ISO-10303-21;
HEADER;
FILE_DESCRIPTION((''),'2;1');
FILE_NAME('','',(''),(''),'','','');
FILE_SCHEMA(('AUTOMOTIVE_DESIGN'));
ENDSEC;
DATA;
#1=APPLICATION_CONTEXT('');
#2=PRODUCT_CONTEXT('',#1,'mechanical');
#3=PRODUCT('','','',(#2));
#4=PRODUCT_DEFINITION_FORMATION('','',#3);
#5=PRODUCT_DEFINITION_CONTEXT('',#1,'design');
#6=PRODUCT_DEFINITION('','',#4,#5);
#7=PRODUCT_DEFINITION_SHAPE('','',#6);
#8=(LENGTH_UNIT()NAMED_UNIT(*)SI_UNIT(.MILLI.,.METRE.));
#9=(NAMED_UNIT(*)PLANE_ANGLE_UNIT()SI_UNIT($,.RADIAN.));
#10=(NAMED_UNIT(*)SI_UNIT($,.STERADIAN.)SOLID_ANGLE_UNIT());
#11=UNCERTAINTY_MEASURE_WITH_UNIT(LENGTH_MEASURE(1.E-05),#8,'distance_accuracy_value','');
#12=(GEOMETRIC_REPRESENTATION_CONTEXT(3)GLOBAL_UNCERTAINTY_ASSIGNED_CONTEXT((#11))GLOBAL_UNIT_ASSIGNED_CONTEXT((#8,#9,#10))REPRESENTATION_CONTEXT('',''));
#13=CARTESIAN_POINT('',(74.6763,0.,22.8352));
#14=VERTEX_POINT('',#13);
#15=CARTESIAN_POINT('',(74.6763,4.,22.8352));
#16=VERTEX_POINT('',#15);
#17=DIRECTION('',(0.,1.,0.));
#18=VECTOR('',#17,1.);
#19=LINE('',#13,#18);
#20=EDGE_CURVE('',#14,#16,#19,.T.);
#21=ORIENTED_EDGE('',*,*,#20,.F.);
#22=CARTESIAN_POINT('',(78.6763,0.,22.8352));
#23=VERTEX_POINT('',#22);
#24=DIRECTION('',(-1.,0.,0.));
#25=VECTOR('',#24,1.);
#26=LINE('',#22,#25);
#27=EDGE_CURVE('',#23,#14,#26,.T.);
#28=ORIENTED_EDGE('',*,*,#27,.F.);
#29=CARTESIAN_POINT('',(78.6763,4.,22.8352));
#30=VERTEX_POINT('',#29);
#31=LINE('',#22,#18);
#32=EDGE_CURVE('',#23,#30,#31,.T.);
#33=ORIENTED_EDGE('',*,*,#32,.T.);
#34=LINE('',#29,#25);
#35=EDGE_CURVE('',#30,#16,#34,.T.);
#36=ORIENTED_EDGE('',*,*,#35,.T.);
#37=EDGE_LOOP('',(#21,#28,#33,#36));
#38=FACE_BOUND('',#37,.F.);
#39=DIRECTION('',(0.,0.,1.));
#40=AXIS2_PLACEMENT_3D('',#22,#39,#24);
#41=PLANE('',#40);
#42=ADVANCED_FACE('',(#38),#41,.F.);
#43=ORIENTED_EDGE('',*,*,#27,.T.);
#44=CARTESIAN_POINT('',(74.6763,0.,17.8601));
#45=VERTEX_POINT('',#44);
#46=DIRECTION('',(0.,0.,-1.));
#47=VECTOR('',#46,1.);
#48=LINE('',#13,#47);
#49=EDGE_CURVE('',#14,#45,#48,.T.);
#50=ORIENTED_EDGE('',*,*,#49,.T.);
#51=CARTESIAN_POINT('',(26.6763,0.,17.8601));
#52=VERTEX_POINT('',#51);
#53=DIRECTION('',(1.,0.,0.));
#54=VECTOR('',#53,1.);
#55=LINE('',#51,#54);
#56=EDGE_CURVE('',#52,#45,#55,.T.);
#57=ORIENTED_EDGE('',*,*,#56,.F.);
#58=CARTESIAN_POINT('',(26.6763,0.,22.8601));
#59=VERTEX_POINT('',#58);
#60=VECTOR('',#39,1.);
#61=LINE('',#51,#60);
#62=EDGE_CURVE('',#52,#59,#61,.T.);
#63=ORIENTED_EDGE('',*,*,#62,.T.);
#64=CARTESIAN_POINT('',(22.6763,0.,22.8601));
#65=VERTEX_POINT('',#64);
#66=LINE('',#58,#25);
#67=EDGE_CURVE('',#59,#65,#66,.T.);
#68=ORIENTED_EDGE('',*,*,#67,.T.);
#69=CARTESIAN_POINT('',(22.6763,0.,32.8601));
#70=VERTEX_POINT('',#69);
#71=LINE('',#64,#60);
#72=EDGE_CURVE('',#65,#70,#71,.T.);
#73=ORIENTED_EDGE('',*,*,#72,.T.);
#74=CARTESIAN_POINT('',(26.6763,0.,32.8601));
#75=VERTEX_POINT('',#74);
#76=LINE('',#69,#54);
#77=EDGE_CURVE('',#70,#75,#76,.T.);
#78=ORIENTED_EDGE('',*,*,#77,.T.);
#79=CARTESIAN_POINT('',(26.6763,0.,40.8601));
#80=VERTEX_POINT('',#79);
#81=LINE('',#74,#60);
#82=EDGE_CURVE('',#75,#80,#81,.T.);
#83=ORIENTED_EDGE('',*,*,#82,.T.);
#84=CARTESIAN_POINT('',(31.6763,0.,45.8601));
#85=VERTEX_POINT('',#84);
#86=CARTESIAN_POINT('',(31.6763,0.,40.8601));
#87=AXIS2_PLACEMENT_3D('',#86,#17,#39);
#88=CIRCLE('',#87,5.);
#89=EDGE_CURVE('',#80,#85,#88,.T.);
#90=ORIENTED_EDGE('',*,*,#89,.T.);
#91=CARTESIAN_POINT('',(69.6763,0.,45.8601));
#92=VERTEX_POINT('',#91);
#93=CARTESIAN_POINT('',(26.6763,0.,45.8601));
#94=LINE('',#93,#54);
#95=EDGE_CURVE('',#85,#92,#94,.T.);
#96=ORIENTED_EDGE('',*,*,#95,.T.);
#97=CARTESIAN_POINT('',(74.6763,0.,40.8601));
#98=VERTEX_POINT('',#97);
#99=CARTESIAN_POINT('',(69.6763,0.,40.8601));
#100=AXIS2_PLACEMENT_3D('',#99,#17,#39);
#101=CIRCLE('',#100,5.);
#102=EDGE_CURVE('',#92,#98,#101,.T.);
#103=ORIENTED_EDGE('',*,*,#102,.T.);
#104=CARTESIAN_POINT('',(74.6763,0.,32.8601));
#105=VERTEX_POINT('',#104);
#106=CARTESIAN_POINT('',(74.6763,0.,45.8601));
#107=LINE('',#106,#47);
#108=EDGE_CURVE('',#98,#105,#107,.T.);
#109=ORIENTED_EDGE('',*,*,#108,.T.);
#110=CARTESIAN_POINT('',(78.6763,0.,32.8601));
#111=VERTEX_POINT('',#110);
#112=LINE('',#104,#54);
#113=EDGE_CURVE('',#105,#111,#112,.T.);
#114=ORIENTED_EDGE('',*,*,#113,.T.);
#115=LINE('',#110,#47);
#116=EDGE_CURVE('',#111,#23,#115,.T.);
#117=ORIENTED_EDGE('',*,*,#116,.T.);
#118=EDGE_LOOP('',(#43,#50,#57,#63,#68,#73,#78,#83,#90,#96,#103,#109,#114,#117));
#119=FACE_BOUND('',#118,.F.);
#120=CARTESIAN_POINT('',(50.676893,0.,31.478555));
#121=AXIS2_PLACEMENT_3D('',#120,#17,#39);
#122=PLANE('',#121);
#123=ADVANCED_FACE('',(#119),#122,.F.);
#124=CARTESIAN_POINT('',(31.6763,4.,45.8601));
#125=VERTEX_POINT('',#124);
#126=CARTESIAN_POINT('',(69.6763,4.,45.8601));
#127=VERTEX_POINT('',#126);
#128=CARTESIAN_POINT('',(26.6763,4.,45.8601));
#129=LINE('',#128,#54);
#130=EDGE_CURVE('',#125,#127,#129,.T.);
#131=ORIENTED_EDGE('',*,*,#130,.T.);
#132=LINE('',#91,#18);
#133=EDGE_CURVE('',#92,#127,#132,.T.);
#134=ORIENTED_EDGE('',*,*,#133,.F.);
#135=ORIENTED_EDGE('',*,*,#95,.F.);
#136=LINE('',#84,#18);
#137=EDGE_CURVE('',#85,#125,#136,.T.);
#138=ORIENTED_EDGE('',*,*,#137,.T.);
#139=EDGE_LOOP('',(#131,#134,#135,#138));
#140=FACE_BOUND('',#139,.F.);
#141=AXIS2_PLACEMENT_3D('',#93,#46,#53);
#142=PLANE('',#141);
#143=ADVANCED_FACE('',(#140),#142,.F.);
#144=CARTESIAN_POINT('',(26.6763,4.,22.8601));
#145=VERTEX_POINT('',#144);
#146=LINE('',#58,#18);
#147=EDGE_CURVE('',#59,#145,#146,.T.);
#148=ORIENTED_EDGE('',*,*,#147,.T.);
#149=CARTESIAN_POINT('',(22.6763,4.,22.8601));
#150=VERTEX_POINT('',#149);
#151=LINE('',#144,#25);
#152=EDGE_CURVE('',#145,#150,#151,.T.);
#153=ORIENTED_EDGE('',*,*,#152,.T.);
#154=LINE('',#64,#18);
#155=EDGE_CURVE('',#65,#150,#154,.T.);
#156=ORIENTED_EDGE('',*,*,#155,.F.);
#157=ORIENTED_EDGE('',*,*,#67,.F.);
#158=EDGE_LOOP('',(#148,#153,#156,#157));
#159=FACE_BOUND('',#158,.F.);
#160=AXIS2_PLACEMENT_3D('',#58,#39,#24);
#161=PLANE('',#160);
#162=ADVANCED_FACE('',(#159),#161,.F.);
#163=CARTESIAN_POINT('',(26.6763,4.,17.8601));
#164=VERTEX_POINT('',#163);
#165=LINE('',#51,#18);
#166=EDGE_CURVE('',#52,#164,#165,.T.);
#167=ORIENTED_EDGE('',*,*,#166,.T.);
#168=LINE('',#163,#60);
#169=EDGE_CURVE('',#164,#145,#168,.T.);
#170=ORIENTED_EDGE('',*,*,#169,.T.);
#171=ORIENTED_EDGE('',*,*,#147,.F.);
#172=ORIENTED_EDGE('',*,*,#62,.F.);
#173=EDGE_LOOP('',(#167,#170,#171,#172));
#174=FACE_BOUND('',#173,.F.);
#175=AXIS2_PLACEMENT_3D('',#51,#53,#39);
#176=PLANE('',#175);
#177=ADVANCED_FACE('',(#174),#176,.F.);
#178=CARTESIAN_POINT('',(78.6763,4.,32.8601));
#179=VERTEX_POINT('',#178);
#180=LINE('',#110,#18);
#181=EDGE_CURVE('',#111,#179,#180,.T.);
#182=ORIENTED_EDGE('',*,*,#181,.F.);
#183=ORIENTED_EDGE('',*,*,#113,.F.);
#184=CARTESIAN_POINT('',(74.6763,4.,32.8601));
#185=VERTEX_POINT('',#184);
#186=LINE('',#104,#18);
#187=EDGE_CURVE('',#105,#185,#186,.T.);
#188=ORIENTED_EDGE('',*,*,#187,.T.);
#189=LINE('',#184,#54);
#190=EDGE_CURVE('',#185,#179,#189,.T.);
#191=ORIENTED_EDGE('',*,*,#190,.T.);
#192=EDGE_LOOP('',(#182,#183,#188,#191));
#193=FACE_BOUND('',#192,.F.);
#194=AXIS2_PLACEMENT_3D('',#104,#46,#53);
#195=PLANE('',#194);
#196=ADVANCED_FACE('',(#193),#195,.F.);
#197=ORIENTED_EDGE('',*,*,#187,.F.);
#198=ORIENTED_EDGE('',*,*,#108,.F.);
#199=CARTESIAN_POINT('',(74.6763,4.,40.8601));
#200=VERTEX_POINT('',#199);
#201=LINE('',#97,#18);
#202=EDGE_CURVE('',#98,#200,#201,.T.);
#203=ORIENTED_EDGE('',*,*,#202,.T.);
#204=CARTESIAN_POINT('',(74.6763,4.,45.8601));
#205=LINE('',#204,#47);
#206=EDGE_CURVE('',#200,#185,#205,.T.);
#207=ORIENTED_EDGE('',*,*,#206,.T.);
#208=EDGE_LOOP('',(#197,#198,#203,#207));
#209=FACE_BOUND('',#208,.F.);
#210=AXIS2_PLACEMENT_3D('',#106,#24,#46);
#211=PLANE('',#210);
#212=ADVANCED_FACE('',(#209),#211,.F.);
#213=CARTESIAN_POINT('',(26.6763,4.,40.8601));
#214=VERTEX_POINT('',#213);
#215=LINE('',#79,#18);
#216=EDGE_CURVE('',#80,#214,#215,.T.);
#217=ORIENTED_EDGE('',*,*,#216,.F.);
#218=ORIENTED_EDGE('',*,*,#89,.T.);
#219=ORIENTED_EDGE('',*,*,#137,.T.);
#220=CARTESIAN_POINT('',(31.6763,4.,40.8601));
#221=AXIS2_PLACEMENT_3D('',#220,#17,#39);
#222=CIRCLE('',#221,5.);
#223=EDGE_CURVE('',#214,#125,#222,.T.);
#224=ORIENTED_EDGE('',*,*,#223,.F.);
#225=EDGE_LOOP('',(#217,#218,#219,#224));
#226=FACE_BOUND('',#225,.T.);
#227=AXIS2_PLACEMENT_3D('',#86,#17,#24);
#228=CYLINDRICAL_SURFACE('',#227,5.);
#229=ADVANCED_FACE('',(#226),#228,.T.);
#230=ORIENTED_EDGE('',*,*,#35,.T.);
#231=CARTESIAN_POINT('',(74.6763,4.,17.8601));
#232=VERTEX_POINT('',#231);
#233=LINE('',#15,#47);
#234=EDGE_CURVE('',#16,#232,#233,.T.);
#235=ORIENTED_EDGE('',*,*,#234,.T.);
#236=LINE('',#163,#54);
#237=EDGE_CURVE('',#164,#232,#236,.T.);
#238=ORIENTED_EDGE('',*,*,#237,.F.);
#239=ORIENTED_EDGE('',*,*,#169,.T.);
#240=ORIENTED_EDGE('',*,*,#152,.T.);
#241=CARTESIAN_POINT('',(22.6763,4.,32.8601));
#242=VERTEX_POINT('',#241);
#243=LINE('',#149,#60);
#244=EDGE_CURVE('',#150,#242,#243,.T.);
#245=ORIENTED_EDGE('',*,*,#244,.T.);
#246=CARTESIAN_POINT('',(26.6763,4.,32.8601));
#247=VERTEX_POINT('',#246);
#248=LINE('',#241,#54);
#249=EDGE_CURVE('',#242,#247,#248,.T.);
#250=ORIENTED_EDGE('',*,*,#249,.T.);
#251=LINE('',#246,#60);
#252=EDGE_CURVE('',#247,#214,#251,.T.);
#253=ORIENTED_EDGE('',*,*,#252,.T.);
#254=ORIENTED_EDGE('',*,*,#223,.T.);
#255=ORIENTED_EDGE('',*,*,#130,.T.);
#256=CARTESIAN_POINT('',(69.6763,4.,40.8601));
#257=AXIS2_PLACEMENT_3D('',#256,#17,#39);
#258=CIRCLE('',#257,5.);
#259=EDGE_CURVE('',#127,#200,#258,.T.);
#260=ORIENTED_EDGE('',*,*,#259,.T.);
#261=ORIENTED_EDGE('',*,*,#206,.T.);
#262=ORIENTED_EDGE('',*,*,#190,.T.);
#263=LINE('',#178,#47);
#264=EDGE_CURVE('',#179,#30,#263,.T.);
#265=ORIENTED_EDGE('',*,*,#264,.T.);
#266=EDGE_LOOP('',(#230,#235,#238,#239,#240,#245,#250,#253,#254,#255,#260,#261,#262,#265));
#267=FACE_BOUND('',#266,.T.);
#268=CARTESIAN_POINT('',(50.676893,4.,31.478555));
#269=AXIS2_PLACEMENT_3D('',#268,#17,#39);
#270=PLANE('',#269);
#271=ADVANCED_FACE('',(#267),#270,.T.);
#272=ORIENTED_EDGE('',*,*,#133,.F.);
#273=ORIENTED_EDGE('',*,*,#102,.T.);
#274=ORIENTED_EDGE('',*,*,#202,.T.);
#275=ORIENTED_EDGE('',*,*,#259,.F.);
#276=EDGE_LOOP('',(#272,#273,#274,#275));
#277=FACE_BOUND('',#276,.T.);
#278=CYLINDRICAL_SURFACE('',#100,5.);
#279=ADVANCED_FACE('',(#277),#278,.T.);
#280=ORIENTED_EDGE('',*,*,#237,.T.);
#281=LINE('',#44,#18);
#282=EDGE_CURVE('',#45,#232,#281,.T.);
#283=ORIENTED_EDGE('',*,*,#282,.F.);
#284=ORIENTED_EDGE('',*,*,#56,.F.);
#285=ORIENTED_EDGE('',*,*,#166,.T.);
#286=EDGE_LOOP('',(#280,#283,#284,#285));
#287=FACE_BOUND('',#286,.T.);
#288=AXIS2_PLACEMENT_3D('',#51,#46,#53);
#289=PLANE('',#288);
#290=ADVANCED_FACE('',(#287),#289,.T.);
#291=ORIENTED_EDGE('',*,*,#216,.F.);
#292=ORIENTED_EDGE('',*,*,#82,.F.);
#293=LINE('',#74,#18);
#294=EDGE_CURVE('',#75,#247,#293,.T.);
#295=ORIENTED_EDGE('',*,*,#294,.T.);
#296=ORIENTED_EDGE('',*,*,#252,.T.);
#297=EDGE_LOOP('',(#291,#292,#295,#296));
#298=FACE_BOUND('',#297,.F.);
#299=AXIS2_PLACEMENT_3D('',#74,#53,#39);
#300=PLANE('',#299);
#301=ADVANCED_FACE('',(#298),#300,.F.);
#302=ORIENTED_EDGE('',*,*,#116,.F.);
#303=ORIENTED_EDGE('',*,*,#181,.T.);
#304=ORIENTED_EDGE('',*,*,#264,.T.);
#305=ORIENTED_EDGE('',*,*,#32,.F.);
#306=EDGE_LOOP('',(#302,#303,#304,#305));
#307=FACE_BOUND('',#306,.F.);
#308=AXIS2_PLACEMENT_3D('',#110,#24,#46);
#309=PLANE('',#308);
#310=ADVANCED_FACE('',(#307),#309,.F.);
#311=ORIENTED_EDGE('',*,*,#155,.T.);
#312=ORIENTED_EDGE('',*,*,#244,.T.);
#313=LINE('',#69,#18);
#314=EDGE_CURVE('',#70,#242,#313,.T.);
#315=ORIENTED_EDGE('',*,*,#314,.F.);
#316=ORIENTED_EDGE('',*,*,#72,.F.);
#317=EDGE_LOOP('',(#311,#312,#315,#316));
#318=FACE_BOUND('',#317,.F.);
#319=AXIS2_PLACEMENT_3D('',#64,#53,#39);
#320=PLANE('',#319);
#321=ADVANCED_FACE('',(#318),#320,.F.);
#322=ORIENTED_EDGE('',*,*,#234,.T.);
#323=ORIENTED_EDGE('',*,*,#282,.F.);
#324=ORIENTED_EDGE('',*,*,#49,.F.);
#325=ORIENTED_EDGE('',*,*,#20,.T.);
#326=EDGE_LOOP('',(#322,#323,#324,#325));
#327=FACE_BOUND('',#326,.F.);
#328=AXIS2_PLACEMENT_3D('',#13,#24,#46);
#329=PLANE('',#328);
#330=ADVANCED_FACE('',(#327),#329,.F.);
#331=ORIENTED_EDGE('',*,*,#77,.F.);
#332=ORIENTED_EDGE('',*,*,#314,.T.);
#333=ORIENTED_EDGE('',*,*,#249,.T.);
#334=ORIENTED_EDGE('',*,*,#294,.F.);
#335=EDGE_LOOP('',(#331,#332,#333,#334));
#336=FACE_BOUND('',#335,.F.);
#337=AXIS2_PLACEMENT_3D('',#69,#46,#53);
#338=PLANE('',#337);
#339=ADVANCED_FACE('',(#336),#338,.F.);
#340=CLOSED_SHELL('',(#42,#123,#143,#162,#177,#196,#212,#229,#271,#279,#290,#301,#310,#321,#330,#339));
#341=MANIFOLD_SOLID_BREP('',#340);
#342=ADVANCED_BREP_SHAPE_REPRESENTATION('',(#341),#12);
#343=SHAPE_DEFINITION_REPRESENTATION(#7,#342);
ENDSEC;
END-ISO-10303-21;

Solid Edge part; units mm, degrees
sketch "Sketch1" plane through (0, 0, 0) normal (0, -1, 0) x (1, 0, 0)
  line L0 (78.6763, 22.8352) -> (74.6763, 22.8352)
  line L1 (74.6763, 22.8352) -> (74.6763, 17.8601)
  line L2 (26.6763, 17.8601) -> (74.6763, 17.8601)
  line L3 (26.6763, 17.8601) -> (26.6763, 22.8601)
  line L4 (26.6763, 22.8601) -> (22.6763, 22.8601)
  line L5 (22.6763, 22.8601) -> (22.6763, 32.8601)
  line L6 (22.6763, 32.8601) -> (26.6763, 32.8601)
  line L7 (26.6763, 32.8601) -> (26.6763, 45.8601)
  line L8 (26.6763, 45.8601) -> (74.6763, 45.8601)
  line L9 (74.6763, 45.8601) -> (74.6763, 32.8601)
  line L10 (74.6763, 32.8601) -> (78.6763, 32.8601)
  line L11 (78.6763, 32.8601) -> (78.6763, 22.8352)
extrude "Protrusion1" add sketch "Sketch1" against normal blind 4
fillet "Redondo_1" radius 5 2 edges at (26.6763, 2, 45.8601) (74.6763, 2, 45.8601)
